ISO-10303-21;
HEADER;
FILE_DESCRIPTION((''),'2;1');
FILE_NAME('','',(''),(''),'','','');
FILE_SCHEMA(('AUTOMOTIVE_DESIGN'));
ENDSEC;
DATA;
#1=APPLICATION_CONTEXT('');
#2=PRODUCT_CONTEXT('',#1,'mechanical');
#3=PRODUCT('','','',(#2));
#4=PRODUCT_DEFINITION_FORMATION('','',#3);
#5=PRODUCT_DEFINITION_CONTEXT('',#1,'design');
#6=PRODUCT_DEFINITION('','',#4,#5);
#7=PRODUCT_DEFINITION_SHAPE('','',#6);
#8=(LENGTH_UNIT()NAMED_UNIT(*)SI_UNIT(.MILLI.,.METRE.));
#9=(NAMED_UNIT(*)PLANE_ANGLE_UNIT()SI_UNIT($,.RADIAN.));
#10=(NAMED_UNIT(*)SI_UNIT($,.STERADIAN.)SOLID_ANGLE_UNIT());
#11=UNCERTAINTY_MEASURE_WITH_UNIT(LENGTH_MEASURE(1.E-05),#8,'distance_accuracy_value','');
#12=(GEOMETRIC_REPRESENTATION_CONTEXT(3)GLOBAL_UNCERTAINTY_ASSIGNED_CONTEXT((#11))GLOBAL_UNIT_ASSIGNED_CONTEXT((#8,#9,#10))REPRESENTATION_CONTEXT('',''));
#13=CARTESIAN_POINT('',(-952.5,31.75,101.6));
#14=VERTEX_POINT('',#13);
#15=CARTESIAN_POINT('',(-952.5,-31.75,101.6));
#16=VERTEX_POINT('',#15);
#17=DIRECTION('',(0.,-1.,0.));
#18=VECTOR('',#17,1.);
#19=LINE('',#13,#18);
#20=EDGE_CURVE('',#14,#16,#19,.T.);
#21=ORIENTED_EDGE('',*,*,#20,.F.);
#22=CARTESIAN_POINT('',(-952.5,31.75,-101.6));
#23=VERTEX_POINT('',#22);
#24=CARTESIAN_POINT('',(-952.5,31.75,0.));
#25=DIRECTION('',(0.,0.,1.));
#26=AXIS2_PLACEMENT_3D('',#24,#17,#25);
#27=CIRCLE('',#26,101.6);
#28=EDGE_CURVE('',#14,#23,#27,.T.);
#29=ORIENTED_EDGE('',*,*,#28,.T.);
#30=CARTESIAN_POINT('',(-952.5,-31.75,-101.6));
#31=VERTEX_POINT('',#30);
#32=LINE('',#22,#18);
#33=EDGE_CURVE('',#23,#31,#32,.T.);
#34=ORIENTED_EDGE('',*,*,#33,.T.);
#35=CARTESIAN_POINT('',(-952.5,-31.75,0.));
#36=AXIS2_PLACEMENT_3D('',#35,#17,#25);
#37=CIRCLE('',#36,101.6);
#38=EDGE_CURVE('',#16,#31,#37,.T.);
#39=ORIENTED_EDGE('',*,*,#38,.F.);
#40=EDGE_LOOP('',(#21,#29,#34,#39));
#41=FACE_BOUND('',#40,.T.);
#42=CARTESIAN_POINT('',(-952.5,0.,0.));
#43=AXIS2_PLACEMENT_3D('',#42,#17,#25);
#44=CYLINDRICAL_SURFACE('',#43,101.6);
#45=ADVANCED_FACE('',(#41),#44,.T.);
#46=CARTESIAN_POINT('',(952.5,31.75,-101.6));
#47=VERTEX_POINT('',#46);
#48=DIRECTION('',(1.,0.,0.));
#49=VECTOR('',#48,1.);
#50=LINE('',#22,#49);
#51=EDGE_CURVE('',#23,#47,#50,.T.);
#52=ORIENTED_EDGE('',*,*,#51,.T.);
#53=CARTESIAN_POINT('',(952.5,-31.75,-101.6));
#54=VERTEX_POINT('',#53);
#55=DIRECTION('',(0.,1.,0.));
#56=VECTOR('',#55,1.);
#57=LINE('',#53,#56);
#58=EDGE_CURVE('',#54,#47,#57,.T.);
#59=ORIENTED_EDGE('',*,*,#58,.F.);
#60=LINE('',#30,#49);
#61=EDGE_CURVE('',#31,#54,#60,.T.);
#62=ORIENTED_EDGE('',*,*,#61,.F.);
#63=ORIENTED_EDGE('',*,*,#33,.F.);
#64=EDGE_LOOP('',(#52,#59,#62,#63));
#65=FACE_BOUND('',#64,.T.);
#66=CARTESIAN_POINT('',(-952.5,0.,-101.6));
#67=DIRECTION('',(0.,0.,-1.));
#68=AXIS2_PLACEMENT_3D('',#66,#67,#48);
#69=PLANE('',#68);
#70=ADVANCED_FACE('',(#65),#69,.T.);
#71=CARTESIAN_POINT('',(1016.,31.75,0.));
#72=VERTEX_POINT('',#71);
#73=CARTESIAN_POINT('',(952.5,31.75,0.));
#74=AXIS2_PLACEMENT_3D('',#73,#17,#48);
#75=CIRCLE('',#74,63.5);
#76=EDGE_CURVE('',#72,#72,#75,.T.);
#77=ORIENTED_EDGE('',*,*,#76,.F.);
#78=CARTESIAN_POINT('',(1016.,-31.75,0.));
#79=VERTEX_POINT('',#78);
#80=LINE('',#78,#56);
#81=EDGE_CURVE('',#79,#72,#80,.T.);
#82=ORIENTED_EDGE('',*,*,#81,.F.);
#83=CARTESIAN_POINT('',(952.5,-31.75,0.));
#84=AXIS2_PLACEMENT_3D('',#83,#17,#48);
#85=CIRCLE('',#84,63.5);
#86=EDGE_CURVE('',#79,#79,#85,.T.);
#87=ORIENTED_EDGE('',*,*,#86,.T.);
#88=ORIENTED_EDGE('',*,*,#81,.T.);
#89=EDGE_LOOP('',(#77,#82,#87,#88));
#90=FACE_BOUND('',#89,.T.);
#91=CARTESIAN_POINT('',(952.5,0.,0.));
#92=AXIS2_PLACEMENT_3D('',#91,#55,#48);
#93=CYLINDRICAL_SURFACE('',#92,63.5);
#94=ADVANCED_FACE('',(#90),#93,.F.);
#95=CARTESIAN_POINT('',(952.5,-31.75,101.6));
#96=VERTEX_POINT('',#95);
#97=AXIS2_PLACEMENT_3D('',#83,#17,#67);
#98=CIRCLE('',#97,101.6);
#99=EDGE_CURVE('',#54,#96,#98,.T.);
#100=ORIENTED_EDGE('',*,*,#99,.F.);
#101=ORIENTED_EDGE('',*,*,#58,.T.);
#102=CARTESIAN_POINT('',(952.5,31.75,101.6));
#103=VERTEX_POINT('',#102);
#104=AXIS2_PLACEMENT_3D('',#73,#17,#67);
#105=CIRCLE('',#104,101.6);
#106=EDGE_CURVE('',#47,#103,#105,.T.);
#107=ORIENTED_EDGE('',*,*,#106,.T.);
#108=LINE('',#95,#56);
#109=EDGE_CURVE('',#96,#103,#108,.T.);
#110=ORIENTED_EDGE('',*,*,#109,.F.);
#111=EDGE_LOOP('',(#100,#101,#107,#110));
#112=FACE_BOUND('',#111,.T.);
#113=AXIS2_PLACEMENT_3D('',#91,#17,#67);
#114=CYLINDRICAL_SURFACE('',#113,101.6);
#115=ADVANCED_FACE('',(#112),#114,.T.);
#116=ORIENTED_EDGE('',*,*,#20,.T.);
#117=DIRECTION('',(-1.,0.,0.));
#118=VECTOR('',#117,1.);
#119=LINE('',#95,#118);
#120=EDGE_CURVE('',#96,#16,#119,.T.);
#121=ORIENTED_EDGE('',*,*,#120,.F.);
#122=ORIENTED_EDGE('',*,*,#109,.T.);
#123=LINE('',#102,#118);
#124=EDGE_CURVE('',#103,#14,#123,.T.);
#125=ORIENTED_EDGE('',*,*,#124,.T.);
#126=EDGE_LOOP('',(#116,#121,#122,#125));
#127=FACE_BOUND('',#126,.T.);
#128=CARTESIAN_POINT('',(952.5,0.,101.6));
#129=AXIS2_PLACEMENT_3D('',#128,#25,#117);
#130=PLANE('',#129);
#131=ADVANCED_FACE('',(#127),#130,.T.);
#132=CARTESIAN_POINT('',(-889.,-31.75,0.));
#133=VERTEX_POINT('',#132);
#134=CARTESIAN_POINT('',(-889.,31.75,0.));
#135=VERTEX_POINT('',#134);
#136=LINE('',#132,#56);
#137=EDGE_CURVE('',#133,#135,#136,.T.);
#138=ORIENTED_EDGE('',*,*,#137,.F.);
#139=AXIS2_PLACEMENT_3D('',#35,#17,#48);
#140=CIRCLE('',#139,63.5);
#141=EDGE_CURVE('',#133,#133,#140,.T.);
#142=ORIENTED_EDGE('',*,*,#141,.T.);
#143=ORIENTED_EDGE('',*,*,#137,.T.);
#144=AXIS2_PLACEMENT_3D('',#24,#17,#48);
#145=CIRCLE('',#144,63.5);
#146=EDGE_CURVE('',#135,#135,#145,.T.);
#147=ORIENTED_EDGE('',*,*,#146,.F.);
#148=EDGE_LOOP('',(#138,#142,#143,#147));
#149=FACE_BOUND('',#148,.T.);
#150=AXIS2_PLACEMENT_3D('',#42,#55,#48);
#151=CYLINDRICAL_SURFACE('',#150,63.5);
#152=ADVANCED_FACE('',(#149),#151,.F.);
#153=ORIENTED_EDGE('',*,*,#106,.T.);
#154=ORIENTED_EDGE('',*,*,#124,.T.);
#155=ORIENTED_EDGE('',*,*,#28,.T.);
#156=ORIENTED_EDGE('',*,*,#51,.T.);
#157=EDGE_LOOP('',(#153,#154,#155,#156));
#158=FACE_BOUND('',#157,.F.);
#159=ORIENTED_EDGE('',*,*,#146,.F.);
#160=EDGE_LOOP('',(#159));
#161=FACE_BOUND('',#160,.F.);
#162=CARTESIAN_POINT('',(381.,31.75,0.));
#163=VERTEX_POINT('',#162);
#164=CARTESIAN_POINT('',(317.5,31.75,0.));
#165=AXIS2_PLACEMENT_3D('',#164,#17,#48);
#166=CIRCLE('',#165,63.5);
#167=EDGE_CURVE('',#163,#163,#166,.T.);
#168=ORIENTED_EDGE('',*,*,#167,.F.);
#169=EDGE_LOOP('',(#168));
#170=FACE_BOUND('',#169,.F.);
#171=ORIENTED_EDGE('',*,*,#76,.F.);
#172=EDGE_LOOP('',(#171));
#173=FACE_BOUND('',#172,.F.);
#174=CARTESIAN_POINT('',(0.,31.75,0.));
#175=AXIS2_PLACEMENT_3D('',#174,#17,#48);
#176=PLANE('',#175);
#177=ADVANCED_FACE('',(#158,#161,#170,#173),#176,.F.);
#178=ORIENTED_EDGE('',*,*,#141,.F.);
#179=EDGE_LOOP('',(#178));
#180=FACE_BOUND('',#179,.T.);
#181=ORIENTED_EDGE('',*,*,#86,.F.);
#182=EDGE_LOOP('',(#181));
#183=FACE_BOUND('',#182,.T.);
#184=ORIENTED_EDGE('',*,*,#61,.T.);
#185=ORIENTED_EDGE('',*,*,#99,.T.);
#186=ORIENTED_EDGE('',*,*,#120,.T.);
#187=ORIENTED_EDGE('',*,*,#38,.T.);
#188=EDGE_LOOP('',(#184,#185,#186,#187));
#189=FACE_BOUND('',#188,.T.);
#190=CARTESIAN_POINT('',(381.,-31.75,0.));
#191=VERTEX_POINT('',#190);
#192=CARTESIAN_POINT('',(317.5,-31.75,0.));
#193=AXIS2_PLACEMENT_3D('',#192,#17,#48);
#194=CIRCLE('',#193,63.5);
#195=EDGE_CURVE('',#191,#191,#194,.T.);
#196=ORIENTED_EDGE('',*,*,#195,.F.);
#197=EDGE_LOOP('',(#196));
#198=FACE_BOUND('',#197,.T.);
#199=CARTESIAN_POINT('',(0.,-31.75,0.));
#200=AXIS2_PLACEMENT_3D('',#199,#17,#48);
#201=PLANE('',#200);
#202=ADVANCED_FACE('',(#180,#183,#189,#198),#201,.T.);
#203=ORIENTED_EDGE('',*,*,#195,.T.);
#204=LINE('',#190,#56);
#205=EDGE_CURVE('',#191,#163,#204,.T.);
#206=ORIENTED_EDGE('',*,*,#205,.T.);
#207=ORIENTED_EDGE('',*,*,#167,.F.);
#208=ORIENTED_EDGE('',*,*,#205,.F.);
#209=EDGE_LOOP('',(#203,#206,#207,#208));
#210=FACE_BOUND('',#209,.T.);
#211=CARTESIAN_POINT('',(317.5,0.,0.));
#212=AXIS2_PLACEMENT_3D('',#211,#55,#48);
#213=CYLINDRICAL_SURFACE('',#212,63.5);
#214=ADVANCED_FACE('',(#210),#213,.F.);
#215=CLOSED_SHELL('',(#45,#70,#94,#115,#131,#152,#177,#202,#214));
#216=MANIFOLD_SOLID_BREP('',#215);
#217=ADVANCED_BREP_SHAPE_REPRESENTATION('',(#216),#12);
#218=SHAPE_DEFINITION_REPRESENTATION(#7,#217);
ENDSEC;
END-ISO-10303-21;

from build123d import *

# Parameters (mm, degrees)
F0_R     = 63.5
F1_DEPTH = 31.75


with BuildPart() as f1:
    # F0 (on Front) → F1 (new body, symmetric)
    with BuildSketch(Plane.XZ):
        with BuildLine():
            Line((952.5, 101.6), (-952.5, 101.6))
            ThreePointArc((-952.5, 101.6), (-1054.1, 0), (-952.5, -101.6))
            Line((-952.5, -101.6), (952.5, -101.6))
            ThreePointArc((952.5, -101.6), (1054.1, 0), (952.5, 101.6))
        make_face()
        with Locations((-952.5, 0)):
            Circle(F0_R, mode=Mode.SUBTRACT)
        with Locations((317.5, 0)):
            Circle(F0_R, mode=Mode.SUBTRACT)
        with Locations((952.5, 0)):
            Circle(F0_R, mode=Mode.SUBTRACT)
    extrude(amount=F1_DEPTH, both=True)


solid = f1.part
